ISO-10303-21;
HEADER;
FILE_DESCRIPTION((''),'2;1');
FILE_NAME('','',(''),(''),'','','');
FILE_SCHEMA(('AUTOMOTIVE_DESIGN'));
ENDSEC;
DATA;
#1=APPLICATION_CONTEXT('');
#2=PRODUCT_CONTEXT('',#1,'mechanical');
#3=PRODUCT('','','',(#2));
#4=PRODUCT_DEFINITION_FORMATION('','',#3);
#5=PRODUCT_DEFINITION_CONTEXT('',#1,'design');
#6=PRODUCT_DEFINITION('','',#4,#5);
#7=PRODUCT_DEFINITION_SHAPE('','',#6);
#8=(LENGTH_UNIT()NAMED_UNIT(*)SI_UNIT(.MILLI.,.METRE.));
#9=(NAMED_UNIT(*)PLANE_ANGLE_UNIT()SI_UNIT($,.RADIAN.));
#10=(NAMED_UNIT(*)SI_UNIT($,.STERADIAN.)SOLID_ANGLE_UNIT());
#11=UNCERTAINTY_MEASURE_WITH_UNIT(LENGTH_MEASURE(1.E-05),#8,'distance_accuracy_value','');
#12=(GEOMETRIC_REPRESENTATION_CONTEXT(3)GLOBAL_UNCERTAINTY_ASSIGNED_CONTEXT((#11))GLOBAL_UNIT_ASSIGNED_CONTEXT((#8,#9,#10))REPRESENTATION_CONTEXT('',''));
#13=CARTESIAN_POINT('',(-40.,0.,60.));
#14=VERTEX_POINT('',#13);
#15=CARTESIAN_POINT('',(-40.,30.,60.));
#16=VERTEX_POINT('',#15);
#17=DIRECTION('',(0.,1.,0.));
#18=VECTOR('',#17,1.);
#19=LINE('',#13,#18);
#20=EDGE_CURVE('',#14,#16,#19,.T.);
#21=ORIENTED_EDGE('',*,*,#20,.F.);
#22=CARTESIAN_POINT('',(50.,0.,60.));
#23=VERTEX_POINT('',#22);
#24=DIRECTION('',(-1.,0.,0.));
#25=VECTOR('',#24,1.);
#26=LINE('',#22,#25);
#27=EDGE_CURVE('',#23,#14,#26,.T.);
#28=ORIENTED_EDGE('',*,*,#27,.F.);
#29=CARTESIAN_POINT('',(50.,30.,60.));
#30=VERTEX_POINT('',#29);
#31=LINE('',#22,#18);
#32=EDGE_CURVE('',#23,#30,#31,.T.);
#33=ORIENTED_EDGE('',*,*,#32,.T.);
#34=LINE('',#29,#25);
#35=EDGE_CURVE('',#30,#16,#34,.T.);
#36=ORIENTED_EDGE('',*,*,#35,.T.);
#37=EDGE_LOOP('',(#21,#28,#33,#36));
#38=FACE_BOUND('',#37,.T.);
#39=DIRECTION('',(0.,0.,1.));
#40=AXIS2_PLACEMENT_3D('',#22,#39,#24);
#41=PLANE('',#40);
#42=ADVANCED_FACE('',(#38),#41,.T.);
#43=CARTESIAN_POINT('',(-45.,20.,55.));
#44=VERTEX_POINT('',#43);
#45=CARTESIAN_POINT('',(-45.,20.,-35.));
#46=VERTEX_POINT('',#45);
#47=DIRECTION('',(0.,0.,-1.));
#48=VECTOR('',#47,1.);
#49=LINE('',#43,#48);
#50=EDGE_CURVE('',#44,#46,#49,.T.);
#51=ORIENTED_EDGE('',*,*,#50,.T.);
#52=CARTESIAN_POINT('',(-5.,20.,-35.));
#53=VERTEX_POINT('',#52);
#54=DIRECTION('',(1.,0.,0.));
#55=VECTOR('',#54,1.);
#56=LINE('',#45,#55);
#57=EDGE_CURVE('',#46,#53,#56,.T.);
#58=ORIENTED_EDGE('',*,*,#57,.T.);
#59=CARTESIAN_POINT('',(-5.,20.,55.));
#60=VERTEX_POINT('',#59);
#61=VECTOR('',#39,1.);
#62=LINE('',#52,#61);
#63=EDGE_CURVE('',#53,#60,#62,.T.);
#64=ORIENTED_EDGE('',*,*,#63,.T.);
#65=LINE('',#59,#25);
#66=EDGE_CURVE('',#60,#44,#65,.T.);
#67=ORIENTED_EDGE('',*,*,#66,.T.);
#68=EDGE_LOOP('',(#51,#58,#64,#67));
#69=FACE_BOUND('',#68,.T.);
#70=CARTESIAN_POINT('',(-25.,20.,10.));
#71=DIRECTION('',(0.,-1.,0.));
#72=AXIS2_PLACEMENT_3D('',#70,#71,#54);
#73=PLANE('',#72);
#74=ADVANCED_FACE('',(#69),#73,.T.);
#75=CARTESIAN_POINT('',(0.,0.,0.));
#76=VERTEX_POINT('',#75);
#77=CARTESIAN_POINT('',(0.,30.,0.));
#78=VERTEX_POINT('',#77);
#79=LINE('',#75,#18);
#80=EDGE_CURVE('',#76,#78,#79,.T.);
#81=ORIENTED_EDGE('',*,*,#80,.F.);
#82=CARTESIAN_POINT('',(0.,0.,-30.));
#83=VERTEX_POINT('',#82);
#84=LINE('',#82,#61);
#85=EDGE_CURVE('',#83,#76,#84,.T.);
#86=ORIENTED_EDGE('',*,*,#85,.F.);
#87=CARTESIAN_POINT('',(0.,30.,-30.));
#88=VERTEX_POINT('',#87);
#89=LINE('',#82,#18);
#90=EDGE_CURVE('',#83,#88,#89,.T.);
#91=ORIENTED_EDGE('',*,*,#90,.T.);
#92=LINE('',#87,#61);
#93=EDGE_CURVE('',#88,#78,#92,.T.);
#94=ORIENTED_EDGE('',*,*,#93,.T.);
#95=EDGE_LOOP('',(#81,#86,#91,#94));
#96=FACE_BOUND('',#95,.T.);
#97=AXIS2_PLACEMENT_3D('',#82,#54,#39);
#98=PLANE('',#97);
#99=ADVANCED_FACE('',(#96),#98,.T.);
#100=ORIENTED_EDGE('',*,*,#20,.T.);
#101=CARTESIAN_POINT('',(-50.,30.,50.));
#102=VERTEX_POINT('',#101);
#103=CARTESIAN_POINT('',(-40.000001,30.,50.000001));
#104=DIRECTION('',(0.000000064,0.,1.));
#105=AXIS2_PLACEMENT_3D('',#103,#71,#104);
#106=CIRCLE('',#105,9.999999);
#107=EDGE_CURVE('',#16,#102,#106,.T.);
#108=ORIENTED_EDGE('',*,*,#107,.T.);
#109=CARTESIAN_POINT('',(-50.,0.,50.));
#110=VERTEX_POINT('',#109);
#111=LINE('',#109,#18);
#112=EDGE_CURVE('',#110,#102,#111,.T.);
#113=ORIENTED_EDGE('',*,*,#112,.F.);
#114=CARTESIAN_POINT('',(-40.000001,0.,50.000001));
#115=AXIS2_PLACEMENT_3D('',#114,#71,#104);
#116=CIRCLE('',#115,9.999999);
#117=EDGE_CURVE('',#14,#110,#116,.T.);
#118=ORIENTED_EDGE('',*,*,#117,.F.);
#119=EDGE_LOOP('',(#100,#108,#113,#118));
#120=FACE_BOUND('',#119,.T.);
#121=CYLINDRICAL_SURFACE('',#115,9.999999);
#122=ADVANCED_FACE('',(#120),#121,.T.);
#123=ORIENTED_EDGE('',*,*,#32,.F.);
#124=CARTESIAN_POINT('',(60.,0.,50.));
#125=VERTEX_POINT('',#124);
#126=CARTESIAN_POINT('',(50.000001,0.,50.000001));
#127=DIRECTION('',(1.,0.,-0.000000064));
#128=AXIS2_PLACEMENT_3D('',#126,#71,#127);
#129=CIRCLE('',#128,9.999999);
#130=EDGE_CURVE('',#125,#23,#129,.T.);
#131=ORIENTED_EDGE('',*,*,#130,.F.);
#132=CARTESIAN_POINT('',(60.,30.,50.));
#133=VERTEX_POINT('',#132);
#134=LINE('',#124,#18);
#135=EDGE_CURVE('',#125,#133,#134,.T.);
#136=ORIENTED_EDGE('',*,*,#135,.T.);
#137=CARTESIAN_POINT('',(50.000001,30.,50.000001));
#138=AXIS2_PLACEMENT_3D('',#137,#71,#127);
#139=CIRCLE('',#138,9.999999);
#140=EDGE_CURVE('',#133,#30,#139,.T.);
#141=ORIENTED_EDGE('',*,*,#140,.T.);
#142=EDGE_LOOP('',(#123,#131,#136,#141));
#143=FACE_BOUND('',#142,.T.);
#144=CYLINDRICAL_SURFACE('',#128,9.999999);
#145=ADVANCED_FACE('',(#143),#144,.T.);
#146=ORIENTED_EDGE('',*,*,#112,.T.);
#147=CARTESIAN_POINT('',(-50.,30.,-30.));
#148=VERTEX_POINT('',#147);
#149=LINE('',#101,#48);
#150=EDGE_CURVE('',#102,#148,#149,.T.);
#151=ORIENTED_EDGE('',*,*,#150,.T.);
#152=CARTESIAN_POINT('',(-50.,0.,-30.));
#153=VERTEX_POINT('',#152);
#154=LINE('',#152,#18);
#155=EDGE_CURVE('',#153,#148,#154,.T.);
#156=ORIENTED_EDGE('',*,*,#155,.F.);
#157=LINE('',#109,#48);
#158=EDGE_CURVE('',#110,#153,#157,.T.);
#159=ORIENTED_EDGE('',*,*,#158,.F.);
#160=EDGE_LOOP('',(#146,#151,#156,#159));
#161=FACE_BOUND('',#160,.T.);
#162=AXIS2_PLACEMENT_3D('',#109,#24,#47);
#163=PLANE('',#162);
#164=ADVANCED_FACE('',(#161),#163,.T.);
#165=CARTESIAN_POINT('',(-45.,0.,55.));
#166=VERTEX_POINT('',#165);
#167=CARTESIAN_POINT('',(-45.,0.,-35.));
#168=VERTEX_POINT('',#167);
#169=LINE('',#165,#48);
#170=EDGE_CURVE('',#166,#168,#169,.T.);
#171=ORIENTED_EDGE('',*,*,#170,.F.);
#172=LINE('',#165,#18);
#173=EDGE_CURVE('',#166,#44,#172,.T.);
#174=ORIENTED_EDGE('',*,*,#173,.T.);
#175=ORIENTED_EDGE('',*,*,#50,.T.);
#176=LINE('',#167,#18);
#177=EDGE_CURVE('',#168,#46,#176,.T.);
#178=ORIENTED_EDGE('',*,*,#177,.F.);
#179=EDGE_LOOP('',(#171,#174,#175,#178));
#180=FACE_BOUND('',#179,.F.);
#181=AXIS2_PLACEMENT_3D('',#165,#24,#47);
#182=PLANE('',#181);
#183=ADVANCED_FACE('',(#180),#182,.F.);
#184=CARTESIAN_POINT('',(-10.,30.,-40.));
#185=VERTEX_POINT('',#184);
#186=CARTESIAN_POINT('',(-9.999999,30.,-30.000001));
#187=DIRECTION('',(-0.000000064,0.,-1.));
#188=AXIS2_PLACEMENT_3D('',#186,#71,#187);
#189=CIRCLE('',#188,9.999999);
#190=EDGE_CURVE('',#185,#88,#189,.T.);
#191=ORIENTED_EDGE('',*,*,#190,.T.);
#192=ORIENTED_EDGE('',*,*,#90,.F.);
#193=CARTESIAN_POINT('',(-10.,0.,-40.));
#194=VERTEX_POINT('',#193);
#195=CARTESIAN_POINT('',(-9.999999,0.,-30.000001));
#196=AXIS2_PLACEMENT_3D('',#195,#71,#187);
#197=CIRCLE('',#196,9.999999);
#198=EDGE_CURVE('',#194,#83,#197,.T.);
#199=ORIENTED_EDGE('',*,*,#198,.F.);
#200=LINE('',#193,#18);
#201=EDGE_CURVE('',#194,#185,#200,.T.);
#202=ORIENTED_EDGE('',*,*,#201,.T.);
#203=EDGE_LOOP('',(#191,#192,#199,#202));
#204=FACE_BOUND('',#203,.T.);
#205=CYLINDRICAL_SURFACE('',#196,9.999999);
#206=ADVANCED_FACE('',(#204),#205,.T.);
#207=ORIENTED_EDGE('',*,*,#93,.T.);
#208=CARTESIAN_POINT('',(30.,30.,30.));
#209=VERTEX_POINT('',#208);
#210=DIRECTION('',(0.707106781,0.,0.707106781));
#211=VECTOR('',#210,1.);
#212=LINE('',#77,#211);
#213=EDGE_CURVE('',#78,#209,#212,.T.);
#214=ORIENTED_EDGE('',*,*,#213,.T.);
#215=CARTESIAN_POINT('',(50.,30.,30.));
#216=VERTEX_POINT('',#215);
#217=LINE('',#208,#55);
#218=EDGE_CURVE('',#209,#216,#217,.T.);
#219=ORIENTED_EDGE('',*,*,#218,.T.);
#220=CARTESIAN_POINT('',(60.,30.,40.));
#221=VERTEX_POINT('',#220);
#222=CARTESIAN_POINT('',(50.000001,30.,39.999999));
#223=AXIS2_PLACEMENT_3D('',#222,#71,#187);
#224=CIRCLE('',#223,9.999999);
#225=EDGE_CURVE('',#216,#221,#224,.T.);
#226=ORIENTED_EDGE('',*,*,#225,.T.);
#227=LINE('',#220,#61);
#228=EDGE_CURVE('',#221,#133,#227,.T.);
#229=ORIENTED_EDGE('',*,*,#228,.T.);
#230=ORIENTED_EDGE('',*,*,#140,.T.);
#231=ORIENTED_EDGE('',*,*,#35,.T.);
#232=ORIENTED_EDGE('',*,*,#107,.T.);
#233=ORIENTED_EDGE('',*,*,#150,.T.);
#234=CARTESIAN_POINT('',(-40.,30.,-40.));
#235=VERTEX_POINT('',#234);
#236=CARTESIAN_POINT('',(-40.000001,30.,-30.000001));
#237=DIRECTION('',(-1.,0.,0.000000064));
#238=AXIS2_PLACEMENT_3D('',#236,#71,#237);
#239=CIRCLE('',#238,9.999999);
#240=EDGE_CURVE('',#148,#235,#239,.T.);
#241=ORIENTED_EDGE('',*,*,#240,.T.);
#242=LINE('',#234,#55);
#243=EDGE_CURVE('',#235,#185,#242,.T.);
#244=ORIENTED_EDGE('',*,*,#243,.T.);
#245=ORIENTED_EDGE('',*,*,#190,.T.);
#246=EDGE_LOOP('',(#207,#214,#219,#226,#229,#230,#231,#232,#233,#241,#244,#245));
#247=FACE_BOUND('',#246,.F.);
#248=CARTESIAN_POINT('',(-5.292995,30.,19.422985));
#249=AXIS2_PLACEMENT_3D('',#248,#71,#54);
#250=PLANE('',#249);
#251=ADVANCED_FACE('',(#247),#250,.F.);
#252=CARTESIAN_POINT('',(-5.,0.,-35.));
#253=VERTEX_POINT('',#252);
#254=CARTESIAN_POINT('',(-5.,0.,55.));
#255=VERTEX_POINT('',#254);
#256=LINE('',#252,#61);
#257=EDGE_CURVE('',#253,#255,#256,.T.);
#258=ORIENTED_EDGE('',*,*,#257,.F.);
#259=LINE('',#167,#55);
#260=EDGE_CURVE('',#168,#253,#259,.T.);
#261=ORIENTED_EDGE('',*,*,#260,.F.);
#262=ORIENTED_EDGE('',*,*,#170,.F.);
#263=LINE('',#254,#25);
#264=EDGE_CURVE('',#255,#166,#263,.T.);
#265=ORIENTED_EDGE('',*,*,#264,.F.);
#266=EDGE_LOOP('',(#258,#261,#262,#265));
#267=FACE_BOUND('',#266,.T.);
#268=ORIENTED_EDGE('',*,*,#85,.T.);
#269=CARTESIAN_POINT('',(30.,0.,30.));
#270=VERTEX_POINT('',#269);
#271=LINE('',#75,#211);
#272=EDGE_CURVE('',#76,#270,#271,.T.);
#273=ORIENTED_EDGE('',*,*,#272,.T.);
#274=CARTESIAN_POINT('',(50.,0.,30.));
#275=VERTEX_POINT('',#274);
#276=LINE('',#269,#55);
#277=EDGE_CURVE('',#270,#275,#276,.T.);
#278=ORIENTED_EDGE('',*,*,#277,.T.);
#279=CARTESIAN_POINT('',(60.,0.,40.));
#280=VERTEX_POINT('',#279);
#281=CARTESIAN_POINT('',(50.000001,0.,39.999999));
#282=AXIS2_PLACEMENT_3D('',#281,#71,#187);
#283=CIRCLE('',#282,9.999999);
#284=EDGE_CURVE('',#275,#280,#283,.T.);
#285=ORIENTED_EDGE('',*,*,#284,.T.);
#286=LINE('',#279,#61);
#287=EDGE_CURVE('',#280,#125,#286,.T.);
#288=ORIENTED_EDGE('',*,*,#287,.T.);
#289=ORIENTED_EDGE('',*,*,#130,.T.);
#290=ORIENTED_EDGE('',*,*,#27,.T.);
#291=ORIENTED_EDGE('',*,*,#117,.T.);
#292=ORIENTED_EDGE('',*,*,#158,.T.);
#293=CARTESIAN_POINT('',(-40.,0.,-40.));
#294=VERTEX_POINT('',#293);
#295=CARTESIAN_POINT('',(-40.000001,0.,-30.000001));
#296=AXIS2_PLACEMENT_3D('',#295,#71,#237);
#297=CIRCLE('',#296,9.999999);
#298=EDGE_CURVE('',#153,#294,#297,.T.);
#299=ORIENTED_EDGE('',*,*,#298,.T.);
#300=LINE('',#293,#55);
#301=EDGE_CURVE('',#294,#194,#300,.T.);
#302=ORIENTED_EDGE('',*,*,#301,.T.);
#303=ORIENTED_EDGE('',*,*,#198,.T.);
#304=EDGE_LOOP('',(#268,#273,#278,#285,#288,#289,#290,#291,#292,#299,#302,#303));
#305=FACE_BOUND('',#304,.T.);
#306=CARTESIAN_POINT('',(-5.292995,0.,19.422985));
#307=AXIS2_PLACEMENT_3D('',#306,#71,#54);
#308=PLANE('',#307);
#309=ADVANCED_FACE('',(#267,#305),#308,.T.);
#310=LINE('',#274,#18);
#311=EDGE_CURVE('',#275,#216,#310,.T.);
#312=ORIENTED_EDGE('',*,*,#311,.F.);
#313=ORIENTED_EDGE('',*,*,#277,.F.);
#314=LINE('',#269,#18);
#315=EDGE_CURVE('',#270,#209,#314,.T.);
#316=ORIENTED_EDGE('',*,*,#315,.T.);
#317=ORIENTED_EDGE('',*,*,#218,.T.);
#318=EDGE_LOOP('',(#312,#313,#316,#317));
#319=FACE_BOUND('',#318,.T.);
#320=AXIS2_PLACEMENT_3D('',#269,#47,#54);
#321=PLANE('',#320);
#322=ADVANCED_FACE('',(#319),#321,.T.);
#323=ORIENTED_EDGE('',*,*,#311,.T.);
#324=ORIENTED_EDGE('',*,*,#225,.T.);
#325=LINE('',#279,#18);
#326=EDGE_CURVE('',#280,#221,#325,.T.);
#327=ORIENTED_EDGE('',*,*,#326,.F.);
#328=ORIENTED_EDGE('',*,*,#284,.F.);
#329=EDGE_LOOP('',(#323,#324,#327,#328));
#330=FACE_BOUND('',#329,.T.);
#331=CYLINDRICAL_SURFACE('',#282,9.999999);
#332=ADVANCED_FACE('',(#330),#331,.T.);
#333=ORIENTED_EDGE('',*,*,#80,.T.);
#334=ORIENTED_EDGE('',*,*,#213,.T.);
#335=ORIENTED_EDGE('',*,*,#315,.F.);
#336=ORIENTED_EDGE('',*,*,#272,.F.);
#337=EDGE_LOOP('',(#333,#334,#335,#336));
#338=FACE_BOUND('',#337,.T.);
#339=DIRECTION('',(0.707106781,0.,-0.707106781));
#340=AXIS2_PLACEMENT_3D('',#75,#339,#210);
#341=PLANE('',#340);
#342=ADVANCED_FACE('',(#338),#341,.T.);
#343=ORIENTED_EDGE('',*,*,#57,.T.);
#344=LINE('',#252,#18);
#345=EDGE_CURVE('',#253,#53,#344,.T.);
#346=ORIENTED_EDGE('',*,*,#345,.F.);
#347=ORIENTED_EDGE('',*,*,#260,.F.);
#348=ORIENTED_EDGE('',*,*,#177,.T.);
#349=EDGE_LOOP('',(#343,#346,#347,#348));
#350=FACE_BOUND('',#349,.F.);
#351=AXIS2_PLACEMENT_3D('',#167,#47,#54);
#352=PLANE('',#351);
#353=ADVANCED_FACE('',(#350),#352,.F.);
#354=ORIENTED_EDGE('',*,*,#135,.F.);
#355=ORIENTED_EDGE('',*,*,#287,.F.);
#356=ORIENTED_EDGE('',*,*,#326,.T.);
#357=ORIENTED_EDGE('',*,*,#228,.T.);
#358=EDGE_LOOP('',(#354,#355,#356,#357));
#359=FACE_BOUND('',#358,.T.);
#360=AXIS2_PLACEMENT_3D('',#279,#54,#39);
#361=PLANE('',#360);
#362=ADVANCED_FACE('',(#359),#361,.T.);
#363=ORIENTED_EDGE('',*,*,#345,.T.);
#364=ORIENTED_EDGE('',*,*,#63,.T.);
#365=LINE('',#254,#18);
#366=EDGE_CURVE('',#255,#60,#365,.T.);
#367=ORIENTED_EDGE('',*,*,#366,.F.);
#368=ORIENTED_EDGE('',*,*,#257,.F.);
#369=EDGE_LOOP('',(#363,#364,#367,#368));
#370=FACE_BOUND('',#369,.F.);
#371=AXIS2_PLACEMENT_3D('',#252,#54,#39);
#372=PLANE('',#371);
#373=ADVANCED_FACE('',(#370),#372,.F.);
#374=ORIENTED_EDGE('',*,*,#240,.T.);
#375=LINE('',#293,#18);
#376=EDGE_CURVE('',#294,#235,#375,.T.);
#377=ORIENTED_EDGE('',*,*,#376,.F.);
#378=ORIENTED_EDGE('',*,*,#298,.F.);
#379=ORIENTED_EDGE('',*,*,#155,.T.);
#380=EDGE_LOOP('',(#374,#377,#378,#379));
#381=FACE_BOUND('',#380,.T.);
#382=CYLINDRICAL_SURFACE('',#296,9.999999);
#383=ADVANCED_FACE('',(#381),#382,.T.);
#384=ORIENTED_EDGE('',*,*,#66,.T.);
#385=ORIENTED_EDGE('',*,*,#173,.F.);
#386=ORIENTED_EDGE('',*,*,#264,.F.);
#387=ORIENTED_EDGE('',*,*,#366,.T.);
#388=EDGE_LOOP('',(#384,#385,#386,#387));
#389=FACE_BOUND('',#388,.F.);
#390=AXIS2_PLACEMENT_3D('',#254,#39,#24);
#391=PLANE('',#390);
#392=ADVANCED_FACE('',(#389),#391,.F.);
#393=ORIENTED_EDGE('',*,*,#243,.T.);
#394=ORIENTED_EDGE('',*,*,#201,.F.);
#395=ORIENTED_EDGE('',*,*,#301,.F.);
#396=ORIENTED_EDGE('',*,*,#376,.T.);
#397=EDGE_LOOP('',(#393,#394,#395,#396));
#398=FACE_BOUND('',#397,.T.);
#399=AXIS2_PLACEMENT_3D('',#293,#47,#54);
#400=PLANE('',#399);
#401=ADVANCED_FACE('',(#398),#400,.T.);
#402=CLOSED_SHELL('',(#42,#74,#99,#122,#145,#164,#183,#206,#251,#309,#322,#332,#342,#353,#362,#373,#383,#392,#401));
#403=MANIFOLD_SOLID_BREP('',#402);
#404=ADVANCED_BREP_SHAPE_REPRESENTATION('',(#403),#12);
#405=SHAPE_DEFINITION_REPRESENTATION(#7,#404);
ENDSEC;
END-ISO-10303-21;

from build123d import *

# Parameters (mm, degrees)
F1_DEPTH = 30
F2_DEPTH = 20


with BuildPart() as f1:
    # F0 (on Front) → F1 (new body)
    with BuildSketch(Plane.XZ):
        with BuildLine():
            Line((0, -30), (0, 0))
            Line((0, 0), (30, 30))
            Line((30, 30), (50, 30))
            ThreePointArc((50, 30), (57.071068, 32.928932), (60, 40))
            Line((60, 40), (60, 50))
            ThreePointArc((60, 50), (57.071068, 57.071068), (50, 60))
            Line((50, 60), (-40, 60))
            ThreePointArc((-40, 60), (-47.071068, 57.071068), (-50, 50))
            Line((-50, 50), (-50, -30))
            ThreePointArc((-50, -30), (-47.071068, -37.071068), (-40, -40))
            Line((-40, -40), (-10, -40))
            ThreePointArc((-10, -40), (-2.928932, -37.071068), (0, -30))
        make_face()
        Polygon((-45, -35), (-45, 15), (-45, 55), (-5, 55), (-5, -35), align=None, mode=Mode.SUBTRACT)
        Polygon((-45, 55), (-45, 15), (-45, -35), (-5, -35), (-5, 55), align=None)
    extrude(amount=-F1_DEPTH)

    # F0 (on Front) → F2 (cut)
    with BuildSketch(Plane.XZ):
        Polygon((-45, 55), (-45, 15), (-45, -35), (-5, -35), (-5, 55), align=None)
    extrude(amount=-F2_DEPTH, mode=Mode.SUBTRACT)


solid = f1.part
